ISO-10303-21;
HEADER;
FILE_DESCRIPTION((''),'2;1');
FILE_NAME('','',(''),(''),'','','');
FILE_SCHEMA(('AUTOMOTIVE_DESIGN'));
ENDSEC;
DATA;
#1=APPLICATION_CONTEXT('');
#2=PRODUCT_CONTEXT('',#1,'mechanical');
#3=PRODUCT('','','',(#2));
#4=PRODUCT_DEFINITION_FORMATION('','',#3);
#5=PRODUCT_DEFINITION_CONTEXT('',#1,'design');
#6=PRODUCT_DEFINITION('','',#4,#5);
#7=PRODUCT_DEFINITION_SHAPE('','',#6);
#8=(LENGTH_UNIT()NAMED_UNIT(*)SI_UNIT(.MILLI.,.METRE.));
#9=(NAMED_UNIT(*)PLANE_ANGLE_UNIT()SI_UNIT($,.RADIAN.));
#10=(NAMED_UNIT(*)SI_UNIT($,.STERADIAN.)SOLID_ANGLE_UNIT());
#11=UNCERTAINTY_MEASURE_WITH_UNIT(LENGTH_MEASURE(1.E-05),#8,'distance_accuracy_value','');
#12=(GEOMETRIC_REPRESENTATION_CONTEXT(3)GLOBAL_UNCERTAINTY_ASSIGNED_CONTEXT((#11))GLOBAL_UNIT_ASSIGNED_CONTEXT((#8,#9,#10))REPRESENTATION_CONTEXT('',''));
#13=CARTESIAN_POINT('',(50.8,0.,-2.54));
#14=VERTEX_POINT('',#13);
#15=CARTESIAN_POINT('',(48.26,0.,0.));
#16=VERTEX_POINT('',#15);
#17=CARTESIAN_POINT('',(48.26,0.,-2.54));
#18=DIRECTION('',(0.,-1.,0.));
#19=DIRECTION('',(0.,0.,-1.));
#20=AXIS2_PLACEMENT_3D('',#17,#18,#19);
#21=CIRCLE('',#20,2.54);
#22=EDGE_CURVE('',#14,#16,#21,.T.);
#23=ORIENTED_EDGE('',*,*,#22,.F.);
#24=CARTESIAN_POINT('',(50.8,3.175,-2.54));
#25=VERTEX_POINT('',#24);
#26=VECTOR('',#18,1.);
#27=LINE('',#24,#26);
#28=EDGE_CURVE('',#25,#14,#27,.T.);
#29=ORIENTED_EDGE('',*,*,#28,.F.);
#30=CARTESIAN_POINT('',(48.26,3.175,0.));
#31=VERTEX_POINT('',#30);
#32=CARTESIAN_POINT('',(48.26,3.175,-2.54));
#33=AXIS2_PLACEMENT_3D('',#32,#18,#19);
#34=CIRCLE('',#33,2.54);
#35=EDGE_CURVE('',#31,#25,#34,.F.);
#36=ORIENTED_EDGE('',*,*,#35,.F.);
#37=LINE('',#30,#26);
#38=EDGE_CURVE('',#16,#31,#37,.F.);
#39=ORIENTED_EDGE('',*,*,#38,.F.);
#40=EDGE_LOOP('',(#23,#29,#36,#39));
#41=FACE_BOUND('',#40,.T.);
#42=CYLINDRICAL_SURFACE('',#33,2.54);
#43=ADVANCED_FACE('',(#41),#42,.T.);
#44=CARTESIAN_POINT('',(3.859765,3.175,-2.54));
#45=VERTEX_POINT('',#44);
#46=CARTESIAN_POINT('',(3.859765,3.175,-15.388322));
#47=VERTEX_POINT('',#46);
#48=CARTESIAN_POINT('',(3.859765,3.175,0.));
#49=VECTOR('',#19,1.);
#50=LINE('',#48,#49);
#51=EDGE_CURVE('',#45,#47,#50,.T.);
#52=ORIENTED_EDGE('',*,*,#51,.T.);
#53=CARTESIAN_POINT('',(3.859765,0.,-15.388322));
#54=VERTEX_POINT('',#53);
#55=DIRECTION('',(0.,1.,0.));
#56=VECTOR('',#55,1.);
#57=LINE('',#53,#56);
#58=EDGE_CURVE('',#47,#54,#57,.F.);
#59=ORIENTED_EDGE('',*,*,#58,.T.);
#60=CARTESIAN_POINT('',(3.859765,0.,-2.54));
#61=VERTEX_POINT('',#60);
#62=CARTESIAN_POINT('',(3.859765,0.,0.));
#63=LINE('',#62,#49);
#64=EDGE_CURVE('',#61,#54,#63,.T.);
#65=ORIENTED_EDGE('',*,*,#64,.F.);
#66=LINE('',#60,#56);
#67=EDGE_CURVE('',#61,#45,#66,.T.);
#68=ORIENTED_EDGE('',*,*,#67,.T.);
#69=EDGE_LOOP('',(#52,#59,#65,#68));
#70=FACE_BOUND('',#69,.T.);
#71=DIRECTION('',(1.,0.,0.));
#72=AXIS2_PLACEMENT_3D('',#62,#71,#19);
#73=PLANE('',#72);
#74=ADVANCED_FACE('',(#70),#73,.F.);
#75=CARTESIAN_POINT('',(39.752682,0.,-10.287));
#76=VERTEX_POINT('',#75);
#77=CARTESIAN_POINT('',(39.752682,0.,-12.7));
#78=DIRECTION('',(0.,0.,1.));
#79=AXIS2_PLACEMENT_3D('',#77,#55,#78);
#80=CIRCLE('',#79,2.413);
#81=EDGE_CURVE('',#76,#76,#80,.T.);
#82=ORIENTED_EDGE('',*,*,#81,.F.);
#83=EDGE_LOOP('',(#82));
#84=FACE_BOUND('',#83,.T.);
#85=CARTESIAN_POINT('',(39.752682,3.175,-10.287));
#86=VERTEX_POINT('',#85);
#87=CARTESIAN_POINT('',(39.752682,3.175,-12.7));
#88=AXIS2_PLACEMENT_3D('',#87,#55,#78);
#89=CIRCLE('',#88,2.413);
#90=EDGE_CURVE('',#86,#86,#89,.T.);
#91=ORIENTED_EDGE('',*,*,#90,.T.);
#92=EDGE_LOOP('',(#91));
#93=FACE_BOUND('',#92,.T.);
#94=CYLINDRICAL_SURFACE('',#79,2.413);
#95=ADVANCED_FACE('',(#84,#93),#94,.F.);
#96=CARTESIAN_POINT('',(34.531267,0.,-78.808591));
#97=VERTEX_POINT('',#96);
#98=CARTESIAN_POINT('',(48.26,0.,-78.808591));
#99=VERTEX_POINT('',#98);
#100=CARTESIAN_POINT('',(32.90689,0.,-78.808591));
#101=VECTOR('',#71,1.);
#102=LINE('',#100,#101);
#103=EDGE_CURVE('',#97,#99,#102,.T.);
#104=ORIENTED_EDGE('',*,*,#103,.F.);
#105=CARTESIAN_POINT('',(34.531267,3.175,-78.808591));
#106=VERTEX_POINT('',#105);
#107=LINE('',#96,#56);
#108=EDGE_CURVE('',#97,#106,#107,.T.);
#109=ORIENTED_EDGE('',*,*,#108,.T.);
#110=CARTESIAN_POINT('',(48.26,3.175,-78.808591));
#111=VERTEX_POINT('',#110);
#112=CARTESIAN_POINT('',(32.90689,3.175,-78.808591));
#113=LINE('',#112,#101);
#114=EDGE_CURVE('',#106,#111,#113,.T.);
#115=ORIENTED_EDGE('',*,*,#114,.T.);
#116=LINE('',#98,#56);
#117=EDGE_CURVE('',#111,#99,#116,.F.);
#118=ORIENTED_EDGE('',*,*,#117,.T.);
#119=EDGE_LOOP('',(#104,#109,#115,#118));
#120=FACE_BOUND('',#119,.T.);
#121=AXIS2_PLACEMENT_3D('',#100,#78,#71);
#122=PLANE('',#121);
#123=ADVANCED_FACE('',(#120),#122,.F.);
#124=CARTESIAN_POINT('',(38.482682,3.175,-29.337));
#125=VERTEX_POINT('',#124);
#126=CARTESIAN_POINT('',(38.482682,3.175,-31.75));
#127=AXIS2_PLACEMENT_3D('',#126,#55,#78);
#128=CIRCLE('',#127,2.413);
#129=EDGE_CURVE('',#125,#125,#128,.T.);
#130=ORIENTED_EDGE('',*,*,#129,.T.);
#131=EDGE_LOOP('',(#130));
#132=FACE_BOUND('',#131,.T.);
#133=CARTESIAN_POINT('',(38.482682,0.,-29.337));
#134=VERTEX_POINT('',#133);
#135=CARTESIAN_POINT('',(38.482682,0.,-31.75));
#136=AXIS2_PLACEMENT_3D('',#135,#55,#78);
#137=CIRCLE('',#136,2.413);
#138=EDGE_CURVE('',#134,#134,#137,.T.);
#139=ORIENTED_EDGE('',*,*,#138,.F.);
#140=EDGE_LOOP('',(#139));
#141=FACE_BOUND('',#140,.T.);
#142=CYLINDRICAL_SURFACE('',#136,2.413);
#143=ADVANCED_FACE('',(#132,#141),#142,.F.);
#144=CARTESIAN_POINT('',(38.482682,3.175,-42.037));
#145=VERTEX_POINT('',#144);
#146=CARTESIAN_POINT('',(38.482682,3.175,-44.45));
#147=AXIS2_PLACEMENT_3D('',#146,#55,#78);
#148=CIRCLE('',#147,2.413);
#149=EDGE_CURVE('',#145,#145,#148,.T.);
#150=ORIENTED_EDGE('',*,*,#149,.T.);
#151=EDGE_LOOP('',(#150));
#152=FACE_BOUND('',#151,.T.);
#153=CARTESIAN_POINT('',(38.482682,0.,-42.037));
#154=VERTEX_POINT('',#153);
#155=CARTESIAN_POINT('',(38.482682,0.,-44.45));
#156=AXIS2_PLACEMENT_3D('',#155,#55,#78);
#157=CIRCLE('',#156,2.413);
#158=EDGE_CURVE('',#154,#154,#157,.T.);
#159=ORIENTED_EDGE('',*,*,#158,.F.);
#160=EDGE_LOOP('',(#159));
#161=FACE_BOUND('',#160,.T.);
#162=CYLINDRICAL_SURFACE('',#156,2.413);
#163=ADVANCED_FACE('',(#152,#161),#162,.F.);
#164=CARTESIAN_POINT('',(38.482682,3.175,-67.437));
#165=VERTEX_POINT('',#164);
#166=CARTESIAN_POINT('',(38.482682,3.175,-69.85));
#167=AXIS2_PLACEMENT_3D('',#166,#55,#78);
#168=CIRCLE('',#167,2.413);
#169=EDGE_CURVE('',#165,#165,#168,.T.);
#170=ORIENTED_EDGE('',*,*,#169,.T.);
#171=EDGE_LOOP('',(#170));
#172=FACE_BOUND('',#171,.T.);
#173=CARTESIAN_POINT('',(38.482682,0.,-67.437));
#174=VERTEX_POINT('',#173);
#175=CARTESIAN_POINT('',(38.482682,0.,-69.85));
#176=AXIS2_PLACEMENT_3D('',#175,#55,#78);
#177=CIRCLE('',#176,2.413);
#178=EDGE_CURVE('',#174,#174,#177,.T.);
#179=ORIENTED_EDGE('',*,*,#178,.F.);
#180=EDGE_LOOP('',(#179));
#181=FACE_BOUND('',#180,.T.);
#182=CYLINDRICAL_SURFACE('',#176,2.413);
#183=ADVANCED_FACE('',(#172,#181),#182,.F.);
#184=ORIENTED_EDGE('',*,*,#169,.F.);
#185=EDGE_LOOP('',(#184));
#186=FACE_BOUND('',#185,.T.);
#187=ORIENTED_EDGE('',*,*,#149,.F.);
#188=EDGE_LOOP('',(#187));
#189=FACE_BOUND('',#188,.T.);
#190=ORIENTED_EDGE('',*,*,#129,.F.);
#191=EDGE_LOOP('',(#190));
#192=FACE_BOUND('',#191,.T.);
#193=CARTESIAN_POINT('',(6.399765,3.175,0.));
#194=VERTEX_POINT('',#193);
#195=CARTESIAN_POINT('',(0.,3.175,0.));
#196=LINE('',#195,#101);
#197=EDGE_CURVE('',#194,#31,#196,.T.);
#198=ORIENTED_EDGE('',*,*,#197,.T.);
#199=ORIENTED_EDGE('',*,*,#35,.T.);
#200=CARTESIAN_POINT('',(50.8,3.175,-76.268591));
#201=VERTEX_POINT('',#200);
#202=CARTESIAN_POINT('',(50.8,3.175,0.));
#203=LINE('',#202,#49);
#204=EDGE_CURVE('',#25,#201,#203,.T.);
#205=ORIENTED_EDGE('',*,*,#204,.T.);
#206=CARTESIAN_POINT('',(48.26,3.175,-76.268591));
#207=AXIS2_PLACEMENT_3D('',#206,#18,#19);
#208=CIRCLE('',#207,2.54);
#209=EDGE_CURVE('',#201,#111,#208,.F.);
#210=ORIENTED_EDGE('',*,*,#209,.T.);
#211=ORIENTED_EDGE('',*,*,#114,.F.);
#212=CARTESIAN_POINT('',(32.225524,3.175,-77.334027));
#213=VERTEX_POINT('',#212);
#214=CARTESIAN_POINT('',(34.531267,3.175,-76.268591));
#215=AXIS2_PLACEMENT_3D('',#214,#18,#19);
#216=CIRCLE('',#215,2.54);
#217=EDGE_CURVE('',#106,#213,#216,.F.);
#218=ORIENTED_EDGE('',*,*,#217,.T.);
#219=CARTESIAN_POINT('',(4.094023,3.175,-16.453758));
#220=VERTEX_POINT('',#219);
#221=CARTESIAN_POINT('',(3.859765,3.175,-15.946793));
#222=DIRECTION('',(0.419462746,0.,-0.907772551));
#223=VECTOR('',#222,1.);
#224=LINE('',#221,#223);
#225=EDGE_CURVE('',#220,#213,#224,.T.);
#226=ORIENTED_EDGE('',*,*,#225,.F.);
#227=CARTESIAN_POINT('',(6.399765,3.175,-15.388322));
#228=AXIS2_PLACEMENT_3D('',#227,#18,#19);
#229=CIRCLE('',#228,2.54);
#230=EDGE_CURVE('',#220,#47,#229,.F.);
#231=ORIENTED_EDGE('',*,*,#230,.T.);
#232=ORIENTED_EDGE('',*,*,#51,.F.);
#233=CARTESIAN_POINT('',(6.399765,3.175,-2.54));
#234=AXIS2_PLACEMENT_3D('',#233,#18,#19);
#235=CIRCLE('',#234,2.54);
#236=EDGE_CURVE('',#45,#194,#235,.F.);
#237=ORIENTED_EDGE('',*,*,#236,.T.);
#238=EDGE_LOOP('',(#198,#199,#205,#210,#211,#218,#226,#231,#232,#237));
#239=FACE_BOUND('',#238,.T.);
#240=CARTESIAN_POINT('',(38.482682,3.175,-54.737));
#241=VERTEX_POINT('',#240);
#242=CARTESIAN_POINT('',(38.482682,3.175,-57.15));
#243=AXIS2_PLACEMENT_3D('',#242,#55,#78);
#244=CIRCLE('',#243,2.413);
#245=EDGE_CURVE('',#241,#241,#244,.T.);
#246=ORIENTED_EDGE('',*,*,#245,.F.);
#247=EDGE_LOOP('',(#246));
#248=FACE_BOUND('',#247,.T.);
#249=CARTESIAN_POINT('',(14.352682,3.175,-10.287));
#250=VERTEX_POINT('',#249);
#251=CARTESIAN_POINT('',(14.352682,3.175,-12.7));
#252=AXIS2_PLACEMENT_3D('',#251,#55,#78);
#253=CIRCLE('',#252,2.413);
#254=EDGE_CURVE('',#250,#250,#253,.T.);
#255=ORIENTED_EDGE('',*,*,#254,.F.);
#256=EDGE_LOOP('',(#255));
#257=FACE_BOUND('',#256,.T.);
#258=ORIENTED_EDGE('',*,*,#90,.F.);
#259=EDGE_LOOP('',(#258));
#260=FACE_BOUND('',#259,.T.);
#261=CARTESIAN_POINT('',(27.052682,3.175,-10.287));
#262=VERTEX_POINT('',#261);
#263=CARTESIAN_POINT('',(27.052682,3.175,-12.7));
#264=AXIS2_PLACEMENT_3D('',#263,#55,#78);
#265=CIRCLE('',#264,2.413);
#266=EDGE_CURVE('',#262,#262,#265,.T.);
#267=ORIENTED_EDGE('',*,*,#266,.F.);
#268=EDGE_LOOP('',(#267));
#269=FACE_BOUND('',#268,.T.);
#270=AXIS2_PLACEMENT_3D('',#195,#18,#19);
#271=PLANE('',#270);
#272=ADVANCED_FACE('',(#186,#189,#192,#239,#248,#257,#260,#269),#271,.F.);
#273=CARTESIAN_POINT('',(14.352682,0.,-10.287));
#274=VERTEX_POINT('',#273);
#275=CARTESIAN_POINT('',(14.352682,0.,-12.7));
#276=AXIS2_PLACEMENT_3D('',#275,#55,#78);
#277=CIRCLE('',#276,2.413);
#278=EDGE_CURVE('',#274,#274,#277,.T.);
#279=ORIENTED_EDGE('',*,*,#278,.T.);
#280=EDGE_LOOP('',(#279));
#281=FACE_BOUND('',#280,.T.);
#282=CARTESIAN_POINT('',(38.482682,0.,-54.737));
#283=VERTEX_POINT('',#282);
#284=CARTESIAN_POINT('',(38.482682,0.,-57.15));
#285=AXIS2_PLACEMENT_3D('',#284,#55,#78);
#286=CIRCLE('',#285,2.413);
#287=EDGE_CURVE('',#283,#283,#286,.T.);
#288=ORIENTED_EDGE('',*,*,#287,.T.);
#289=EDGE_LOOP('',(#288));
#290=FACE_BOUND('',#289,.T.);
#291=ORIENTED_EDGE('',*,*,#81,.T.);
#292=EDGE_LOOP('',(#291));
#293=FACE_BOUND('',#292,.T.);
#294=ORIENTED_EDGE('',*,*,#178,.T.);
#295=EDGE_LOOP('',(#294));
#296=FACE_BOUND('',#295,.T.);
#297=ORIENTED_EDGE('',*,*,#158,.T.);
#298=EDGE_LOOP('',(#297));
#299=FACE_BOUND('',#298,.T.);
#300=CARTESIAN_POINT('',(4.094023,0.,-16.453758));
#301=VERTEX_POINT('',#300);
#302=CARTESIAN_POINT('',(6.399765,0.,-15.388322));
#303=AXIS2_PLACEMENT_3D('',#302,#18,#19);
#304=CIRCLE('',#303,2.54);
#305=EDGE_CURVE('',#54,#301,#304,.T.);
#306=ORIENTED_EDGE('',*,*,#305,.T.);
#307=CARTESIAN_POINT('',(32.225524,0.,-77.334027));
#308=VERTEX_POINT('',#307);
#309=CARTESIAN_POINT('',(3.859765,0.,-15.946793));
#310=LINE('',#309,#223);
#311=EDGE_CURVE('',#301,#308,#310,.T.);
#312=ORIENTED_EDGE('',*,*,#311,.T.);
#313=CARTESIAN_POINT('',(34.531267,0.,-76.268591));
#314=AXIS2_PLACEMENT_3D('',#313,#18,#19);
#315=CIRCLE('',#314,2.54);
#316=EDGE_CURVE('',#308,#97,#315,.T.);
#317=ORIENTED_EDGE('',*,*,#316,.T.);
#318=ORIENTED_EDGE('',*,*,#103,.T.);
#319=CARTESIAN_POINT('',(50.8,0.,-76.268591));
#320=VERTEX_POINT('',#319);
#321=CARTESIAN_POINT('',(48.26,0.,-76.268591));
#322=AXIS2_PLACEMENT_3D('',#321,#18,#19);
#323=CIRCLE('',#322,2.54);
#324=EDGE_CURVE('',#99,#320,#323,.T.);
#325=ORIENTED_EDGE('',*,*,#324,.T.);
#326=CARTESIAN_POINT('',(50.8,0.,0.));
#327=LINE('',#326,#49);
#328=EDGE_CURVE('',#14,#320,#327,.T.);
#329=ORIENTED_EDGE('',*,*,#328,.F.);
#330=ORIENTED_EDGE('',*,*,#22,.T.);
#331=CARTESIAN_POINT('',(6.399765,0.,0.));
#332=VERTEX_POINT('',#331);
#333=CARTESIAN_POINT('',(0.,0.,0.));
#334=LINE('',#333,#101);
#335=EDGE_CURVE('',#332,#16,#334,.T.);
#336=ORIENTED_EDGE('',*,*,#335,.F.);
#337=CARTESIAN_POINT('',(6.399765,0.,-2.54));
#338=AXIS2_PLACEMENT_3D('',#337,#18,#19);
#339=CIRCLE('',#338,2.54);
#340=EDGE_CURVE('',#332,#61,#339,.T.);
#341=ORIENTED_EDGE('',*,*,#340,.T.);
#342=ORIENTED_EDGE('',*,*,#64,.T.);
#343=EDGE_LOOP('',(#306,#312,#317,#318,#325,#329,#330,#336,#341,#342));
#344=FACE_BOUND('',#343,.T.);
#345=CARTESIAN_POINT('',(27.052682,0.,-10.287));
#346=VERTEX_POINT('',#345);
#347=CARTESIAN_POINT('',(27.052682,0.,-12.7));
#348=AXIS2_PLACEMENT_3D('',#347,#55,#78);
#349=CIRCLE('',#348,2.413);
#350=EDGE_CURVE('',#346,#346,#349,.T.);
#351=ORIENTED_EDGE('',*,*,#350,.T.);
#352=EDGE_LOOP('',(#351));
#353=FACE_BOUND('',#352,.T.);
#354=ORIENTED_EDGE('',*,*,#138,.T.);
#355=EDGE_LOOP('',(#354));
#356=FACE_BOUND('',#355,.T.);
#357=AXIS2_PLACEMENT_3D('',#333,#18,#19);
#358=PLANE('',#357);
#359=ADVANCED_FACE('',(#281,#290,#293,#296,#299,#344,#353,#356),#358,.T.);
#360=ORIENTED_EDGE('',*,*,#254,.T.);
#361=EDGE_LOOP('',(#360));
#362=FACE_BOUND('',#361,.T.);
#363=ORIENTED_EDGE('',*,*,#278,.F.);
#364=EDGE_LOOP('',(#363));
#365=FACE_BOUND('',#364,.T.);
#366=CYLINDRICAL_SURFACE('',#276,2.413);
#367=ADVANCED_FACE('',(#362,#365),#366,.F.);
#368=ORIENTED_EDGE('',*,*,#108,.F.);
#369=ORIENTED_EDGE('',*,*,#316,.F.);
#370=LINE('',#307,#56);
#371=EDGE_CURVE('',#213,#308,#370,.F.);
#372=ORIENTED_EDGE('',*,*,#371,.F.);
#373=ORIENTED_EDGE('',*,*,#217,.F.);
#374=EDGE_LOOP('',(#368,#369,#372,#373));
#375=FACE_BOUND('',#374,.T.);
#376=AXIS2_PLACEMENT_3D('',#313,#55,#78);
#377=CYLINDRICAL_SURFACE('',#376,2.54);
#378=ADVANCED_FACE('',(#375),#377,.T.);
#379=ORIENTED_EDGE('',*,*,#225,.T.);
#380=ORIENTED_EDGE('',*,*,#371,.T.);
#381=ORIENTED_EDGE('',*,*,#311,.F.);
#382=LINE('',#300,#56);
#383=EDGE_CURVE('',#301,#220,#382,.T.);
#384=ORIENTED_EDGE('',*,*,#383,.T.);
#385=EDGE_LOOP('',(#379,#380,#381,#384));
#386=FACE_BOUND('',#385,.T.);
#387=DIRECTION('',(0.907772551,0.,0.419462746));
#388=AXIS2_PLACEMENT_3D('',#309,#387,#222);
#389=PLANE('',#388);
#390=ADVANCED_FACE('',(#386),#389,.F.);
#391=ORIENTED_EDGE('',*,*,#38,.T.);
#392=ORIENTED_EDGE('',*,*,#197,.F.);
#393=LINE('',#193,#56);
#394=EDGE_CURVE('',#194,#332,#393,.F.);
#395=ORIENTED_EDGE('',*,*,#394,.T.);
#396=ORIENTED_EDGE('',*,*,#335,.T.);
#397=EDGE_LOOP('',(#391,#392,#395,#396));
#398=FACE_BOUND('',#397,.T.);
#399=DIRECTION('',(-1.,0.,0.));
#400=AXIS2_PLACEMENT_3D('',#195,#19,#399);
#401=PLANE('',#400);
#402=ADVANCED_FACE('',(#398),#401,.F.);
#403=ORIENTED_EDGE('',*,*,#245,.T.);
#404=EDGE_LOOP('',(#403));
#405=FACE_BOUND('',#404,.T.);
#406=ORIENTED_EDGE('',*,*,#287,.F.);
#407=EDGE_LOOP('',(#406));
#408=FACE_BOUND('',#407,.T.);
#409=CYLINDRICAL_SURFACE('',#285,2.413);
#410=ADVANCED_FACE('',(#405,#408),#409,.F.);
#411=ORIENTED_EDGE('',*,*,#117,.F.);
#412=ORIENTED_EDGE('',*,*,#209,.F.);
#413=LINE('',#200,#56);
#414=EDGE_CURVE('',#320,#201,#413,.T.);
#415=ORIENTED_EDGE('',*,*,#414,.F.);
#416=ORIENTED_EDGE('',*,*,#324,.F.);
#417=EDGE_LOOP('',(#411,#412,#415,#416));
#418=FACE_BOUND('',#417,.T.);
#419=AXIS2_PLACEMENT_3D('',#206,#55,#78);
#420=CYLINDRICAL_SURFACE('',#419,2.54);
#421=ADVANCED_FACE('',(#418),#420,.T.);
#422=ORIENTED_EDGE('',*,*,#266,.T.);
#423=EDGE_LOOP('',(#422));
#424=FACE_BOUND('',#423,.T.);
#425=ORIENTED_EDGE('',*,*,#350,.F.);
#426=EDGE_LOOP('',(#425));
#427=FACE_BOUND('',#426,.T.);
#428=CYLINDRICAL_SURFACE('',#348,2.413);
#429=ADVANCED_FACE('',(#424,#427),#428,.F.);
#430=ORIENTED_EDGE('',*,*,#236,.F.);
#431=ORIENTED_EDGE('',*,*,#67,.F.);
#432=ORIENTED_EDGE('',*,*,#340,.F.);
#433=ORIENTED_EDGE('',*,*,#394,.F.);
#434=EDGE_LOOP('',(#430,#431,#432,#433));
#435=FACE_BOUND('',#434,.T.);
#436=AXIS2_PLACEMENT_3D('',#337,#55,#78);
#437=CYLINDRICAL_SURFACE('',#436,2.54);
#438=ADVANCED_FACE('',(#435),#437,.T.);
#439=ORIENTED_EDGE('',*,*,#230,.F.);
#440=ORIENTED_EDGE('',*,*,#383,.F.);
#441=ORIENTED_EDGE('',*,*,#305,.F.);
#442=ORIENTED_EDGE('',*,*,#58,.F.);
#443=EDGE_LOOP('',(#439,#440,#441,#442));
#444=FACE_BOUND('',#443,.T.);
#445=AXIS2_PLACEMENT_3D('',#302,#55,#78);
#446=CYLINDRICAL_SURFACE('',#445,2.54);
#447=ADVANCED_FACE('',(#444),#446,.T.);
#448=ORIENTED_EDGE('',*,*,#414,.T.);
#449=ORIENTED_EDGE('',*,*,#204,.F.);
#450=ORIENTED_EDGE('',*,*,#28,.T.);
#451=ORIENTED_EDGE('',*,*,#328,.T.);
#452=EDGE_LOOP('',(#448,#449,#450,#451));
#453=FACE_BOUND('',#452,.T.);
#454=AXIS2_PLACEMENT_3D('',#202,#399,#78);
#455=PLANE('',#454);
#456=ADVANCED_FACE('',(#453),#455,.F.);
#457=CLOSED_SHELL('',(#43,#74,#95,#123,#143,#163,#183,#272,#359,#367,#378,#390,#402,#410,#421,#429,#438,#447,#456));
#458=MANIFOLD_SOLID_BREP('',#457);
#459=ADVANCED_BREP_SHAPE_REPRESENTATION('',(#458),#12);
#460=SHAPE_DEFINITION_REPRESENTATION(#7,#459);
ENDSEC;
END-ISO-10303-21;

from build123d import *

# Parameters (mm, degrees)
SKETCH1_W           = 50.8
SKETCH1_H           = 82.55
BOSS_EXTRUDE1_DEPTH = 3.175
SKETCH2_R           = 2.413
CUT_EXTRUDE1_DEPTH  = 97.980529618
CUT_EXTRUDE2_DEPTH  = 97.980529618
FILLET1_R           = 2.54


with BuildPart() as part:
    # Sketch1 → Boss-Extrude1 (new body)
    with BuildSketch(Plane(origin=(0, 0, 0), x_dir=(1, 0, 0), z_dir=(0, 1, 0))):
        with Locations((25.4, 41.275)):
            Rectangle(SKETCH1_W, SKETCH1_H)
    extrude(amount=BOSS_EXTRUDE1_DEPTH)

    # Sketch2 → Cut-Extrude1 (cut, through all)
    with BuildSketch(Plane(origin=(0, 3.175, 0), x_dir=(1, 0, 0), z_dir=(0, 1, 0))):
        with Locations(Location((39.752682174, 12.7, 0), (0, 0, 270))):
            Circle(SKETCH2_R)
        with Locations(Location((27.052682174, 12.7, 0), (0, 0, 270))):
            Circle(SKETCH2_R)
        with Locations(Location((14.352682174, 12.7, 0), (0, 0, 270))):
            Circle(SKETCH2_R)
        with Locations(Location((38.482682174, 31.75, 0), (0, 0, 270))):
            Circle(SKETCH2_R)
        with Locations(Location((38.482682174, 44.45, 0), (0, 0, 270))):
            Circle(SKETCH2_R)
        with Locations(Location((38.482682174, 57.15, 0), (0, 0, 270))):
            Circle(SKETCH2_R)
        with Locations(Location((38.482682174, 69.85, 0), (0, 0, 270))):
            Circle(SKETCH2_R)
    extrude(amount=-CUT_EXTRUDE1_DEPTH, mode=Mode.SUBTRACT)

    # Sketch3 → Cut-Extrude2 (cut, through all)
    with BuildSketch(Plane(origin=(0, 3.175, 0), x_dir=(1, 0, 0), z_dir=(0, 1, 0))):
        Polygon((3.859765226, 0), (3.859765226, 15.946793053), (32.906889952, 78.808591348), (50.8, 78.808591348), (50.8, 82.55), (0, 82.55), (0, 0), align=None)
    extrude(amount=-CUT_EXTRUDE2_DEPTH, mode=Mode.SUBTRACT)

    # Fillet1
    fillet1_edges = [part.edges().sort_by_distance(p)[0] for p in [
        (3.859765226, 1.5875, 0),
        (50.8, 1.5875, -78.808591348),
        (32.906889952, 1.5875, -78.808591348),
        (3.859765226, 1.5875, -15.946793053),
        (50.8, 1.5875, 0),
    ]]
    fillet(fillet1_edges, radius=FILLET1_R)


solid = part.part
